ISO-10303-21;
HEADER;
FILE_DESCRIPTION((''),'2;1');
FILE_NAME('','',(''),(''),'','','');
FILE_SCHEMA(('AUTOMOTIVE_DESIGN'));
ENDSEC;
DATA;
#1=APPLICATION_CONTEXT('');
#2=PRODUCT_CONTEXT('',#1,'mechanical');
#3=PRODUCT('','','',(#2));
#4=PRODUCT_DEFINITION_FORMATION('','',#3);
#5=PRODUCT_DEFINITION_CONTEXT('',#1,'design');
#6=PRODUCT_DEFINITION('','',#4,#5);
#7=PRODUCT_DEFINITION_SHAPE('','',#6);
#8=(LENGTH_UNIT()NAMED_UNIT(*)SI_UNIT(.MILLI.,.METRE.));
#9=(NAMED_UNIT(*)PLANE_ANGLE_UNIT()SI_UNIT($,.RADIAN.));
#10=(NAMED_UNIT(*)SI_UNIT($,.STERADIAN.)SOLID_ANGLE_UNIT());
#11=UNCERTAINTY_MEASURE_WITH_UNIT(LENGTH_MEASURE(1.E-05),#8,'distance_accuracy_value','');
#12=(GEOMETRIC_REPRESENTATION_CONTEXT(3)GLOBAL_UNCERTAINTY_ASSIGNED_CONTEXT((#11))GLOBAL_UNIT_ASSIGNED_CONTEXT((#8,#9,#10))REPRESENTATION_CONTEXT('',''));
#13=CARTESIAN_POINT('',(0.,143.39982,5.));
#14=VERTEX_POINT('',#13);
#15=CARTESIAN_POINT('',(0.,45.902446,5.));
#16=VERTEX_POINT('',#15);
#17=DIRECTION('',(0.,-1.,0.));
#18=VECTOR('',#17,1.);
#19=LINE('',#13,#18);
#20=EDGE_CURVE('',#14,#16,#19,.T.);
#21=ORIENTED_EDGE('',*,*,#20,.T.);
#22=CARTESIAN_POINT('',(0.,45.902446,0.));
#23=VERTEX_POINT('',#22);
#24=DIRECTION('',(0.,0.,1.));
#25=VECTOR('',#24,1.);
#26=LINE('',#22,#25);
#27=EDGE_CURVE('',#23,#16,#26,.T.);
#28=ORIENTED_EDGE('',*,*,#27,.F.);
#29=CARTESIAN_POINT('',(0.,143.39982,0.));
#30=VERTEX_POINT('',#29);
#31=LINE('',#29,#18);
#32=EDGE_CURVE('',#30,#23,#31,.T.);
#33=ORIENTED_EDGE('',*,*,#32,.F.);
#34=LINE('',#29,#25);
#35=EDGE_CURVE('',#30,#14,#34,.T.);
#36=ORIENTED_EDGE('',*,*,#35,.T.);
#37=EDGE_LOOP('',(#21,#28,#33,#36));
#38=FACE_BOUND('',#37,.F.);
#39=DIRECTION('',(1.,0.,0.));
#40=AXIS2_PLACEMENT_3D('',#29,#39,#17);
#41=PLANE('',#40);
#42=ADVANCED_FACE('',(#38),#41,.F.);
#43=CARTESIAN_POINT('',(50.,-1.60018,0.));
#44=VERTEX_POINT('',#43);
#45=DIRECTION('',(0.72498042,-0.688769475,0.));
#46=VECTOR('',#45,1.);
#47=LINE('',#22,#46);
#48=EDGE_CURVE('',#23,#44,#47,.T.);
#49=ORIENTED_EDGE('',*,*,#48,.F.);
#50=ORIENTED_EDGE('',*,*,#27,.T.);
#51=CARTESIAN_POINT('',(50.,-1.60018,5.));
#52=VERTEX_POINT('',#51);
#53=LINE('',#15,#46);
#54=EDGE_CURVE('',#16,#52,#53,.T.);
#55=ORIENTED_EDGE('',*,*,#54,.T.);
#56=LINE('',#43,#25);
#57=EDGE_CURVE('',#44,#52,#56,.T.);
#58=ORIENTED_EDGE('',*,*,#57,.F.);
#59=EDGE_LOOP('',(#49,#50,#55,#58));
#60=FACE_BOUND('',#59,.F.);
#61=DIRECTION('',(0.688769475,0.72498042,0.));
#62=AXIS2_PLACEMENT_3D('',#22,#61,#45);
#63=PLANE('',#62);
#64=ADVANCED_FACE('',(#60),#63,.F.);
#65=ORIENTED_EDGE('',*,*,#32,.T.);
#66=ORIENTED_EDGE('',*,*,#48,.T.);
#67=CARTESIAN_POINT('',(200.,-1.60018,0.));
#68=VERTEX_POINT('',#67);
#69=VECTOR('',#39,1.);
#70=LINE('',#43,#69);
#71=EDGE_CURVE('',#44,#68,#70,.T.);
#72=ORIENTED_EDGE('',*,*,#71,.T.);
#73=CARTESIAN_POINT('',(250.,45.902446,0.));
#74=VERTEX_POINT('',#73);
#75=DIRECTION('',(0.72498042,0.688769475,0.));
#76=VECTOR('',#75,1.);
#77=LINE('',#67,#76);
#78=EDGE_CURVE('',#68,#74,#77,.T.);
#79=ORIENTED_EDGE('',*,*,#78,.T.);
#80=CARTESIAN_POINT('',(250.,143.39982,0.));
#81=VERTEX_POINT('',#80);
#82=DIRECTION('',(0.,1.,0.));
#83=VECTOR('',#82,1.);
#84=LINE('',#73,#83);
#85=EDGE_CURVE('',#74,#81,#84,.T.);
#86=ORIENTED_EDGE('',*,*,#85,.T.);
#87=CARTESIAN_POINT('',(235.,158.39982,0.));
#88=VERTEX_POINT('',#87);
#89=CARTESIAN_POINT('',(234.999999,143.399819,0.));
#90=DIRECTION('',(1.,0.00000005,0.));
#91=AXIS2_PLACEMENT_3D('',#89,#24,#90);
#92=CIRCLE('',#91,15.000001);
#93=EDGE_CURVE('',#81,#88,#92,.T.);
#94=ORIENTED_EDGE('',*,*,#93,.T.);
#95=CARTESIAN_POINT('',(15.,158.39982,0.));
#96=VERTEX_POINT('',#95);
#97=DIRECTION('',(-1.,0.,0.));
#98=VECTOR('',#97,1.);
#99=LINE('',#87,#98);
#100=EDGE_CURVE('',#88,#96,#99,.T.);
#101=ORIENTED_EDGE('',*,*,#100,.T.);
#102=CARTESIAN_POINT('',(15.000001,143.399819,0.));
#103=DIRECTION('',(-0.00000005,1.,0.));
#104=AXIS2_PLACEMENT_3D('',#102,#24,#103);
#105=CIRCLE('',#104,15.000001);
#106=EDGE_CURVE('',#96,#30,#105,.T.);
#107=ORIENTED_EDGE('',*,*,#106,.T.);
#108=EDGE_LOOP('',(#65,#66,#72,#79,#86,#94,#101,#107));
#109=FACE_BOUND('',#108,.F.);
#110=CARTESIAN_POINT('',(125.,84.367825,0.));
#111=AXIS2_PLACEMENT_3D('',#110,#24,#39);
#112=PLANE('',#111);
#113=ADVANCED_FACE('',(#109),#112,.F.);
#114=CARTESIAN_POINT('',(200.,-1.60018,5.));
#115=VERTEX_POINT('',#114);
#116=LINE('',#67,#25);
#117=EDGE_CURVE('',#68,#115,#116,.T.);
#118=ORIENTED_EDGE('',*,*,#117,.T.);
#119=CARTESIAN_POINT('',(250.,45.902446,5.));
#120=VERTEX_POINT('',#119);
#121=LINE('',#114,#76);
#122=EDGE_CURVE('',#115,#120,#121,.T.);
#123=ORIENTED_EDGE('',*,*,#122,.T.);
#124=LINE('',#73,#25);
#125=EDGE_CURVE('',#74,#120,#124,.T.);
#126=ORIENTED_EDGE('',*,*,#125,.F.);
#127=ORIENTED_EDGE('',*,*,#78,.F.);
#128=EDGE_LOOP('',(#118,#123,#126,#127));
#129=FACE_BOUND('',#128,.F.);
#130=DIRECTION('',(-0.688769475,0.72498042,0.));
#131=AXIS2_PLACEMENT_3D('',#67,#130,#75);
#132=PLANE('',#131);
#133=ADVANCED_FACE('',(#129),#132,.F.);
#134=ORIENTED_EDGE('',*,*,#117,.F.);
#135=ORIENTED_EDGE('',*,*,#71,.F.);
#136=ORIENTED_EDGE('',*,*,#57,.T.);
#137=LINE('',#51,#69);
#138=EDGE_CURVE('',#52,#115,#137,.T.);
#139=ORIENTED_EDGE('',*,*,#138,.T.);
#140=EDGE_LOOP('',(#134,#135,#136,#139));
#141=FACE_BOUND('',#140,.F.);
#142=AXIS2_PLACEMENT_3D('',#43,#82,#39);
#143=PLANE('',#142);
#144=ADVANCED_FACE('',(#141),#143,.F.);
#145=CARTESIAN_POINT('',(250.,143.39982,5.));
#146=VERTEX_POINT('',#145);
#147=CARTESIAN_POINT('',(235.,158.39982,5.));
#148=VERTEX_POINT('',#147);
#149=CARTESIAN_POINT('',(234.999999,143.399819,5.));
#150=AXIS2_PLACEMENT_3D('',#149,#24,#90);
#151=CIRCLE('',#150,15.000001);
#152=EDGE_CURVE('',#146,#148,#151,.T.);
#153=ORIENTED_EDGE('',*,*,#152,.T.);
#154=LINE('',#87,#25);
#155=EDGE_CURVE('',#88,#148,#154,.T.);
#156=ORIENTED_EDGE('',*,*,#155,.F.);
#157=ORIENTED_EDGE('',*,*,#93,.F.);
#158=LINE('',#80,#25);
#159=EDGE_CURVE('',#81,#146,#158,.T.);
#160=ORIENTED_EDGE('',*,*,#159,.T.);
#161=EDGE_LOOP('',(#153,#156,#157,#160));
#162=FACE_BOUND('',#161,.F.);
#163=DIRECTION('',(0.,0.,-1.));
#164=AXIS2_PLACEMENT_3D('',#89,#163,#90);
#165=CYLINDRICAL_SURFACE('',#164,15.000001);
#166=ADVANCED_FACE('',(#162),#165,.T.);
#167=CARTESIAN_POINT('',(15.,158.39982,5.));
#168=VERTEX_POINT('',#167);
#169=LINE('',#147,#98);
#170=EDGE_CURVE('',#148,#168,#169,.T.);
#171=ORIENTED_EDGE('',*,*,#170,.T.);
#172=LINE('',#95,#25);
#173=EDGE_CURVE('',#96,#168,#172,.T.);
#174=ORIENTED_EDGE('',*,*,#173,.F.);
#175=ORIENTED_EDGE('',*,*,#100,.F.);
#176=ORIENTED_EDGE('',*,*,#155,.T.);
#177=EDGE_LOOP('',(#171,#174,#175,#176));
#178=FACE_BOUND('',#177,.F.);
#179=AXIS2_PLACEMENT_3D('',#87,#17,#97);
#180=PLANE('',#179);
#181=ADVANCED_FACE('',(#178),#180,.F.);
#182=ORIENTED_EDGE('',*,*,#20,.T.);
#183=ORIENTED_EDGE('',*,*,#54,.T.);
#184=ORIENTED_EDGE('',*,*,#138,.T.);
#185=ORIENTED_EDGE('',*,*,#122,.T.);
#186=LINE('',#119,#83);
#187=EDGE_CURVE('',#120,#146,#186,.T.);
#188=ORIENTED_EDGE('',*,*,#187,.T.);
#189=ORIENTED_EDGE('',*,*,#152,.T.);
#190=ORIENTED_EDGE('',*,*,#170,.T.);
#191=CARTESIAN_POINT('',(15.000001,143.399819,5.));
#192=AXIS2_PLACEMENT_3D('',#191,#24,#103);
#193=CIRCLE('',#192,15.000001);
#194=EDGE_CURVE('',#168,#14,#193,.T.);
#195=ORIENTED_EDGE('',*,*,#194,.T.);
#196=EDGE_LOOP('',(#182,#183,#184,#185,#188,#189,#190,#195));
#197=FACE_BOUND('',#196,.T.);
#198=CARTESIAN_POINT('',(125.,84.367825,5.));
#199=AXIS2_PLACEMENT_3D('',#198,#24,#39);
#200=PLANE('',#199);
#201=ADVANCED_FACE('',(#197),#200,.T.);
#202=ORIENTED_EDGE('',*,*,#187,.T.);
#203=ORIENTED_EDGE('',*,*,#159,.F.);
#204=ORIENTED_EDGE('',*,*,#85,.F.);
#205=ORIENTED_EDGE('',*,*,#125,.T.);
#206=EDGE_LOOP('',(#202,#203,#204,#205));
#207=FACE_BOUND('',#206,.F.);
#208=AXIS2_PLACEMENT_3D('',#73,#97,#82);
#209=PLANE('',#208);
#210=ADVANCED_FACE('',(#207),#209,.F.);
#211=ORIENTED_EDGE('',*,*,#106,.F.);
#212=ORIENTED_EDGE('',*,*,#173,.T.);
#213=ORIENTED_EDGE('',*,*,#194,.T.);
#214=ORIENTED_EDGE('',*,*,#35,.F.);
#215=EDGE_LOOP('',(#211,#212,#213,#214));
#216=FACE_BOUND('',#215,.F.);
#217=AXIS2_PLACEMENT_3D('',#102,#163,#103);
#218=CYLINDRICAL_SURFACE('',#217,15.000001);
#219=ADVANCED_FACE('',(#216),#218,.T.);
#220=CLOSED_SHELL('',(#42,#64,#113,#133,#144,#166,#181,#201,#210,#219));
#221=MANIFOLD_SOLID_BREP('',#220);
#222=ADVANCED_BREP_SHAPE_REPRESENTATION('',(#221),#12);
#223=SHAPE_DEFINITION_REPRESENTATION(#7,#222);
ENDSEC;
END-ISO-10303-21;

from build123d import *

# Parameters (mm, degrees)
F1_DEPTH = 5


with BuildPart() as f1:
    # F0 (on Top) → F1 (new body)
    with BuildSketch(Plane.XY):
        with BuildLine():
            Line((0, 45.902446), (50, -1.60018))
            Line((50, -1.60018), (200, -1.60018))
            Line((200, -1.60018), (250, 45.902446))
            Line((250, 45.902446), (250, 143.39982))
            ThreePointArc((250, 143.39982), (245.606602, 154.006421), (235, 158.39982))
            Line((235, 158.39982), (15, 158.39982))
            ThreePointArc((15, 158.39982), (4.393398, 154.006421), (0, 143.39982))
            Line((0, 143.39982), (0, 45.902446))
        make_face()
    extrude(amount=F1_DEPTH)


solid = f1.part
